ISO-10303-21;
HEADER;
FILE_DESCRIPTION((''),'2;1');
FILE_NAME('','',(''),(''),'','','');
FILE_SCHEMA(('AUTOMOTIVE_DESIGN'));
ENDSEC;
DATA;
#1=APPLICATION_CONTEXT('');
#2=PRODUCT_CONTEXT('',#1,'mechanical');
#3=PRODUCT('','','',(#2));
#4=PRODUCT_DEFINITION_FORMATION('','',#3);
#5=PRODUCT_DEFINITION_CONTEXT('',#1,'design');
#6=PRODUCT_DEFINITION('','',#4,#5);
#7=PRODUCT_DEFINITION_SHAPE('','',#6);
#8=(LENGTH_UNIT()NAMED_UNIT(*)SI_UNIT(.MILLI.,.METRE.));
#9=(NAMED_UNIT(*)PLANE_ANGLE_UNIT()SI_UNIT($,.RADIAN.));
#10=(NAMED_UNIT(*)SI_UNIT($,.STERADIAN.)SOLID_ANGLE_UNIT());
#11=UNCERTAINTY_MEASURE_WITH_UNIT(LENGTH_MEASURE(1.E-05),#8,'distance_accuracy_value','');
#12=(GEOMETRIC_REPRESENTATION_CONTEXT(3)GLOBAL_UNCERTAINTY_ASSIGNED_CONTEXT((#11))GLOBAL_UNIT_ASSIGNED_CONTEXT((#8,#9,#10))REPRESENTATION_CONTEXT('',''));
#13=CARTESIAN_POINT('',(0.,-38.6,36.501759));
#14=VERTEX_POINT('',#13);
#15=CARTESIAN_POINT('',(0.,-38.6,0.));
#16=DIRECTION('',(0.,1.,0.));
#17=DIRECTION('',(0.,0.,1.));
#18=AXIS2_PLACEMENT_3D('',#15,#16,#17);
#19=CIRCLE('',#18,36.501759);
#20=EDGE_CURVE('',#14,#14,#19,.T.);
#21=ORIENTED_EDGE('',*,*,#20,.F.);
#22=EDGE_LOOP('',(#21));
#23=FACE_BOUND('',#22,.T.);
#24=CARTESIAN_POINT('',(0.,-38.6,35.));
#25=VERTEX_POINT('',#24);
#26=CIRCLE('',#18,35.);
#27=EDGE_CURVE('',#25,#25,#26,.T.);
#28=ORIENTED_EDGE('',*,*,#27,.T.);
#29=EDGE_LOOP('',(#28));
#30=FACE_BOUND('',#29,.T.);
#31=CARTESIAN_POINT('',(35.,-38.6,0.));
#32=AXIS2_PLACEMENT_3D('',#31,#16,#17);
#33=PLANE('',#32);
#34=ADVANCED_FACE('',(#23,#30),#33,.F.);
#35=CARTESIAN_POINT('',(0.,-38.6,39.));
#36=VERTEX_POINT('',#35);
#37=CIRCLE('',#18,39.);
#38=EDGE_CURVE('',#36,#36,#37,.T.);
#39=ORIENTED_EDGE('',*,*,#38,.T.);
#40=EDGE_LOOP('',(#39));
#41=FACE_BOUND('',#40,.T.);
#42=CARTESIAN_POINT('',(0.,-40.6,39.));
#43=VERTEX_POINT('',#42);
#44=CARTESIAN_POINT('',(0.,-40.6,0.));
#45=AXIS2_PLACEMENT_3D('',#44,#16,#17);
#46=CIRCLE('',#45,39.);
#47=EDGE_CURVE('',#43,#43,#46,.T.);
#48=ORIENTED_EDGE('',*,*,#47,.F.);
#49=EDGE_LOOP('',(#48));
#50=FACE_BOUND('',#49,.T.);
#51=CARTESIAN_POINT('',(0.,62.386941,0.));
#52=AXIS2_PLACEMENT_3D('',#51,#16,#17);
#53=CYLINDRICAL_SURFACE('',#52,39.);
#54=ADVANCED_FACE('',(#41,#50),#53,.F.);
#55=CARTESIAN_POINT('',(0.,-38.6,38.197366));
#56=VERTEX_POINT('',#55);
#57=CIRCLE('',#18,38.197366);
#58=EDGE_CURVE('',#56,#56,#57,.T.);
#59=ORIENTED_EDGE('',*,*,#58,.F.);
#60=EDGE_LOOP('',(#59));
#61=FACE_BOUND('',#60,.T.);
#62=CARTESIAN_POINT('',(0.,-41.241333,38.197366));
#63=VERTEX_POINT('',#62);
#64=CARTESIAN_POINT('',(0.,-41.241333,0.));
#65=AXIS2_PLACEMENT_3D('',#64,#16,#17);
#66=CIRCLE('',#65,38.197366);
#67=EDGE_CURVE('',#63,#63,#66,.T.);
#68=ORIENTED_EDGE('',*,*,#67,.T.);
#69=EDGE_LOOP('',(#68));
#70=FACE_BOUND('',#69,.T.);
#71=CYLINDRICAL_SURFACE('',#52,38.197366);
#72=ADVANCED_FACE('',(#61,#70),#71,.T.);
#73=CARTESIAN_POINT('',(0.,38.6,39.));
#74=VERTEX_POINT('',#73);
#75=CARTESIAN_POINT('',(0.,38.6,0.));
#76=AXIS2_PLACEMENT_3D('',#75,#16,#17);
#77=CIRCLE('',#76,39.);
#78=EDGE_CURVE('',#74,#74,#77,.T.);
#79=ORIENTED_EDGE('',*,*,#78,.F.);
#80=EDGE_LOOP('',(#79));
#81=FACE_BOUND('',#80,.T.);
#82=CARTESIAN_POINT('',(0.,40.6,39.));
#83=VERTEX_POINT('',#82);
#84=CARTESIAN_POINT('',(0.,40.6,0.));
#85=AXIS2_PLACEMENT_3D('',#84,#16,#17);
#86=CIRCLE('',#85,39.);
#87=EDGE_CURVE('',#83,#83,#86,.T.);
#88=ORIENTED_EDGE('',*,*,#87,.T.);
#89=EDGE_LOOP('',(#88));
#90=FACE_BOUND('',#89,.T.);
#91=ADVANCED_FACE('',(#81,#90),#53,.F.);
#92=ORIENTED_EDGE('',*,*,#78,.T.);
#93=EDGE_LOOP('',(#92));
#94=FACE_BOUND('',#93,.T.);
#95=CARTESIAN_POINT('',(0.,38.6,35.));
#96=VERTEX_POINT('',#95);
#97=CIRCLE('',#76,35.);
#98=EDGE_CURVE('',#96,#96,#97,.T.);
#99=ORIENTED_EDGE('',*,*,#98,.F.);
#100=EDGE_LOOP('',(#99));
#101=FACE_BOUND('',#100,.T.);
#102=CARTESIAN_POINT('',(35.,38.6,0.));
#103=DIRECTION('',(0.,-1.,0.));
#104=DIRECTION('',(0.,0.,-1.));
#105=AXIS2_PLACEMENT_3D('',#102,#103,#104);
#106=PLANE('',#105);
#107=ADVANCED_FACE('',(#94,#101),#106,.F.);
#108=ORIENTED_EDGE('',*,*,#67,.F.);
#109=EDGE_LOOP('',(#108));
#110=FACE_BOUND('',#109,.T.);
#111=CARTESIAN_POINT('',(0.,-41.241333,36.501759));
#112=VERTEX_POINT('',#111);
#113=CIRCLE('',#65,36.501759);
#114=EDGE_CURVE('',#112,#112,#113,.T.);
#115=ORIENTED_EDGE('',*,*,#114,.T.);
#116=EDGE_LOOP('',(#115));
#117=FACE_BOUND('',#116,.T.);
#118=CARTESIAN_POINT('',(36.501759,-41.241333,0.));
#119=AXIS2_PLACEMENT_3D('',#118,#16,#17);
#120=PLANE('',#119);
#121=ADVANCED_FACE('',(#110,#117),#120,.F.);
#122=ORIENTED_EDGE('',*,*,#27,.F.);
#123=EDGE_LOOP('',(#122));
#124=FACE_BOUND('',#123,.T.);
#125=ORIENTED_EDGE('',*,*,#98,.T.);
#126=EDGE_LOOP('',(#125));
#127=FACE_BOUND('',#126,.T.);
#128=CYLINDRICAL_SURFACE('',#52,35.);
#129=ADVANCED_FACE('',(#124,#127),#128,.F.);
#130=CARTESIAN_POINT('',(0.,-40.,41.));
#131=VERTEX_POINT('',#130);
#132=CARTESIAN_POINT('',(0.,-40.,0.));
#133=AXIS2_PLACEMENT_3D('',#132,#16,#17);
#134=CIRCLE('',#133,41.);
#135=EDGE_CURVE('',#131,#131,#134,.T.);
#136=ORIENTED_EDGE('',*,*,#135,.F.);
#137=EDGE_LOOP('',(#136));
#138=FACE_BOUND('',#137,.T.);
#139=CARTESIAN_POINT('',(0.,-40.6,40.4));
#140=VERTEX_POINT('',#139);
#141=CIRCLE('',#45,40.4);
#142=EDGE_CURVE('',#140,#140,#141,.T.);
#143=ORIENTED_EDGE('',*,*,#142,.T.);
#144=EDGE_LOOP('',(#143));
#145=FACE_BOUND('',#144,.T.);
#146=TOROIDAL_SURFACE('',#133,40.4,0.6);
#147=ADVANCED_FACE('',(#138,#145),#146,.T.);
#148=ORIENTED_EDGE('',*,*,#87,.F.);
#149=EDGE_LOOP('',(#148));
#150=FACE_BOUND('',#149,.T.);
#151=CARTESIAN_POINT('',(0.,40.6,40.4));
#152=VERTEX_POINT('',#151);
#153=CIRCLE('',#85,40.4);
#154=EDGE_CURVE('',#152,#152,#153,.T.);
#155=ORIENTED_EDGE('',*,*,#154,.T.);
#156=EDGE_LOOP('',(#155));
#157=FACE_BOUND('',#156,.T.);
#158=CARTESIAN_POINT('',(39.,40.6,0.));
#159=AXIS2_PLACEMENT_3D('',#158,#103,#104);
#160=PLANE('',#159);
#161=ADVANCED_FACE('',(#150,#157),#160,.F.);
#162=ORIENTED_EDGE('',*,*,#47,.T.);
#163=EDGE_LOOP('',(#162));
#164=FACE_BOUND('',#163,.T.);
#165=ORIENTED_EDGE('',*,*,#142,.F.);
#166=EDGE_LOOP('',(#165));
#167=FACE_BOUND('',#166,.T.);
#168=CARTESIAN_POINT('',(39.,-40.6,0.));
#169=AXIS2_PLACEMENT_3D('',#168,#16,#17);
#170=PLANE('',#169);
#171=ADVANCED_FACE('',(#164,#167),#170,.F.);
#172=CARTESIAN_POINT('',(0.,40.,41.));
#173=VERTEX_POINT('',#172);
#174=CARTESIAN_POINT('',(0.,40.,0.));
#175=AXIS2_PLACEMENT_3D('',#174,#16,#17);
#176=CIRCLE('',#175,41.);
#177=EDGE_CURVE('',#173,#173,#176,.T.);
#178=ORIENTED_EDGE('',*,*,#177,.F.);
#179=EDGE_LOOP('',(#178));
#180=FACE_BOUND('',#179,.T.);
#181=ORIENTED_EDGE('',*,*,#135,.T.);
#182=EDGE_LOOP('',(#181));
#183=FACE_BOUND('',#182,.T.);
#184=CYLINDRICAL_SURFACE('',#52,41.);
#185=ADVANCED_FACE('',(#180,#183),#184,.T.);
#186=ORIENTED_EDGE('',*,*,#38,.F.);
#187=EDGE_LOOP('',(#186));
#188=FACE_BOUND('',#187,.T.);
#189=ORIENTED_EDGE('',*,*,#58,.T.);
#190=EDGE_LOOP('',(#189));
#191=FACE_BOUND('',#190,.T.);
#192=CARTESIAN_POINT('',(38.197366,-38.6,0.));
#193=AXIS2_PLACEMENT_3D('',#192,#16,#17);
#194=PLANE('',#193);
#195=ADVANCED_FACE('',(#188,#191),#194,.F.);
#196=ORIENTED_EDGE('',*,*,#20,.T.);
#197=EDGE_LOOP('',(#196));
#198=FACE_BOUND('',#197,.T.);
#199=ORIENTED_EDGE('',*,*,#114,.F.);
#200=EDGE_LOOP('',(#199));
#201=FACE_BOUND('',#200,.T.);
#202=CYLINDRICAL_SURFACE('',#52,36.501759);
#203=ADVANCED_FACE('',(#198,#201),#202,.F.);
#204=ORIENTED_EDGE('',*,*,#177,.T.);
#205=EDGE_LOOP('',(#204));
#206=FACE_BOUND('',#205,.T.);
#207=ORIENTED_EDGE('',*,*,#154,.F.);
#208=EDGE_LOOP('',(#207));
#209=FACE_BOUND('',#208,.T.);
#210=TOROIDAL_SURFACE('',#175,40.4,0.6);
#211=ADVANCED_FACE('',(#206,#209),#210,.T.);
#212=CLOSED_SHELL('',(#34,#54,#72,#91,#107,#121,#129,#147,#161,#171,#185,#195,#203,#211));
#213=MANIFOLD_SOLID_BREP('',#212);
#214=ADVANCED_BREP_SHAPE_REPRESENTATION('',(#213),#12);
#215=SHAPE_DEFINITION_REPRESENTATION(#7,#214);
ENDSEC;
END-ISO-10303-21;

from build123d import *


with BuildPart() as part:
    # Sketch1 → Revolve1 (revolve)
    with BuildSketch(Plane.XY, mode=Mode.PRIVATE) as revolve1_sk:
        with BuildLine():
            Line((35, 38.6), (35, -38.6))
            Line((35, -38.6), (36.501758704, -38.6))
            Line((36.501758704, -38.6), (36.501758704, -41.241333322))
            Line((36.501758704, -41.241333322), (38.197365936, -41.241333322))
            Line((38.197365936, -41.241333322), (38.197365936, -38.6))
            Line((38.197365936, -38.6), (39, -38.6))
            Line((39, -38.6), (39, -40.6))
            Line((39, -40.6), (40.4, -40.6))
            ThreePointArc((40.4, -40.6), (40.824264069, -40.424264069), (41, -40))
            Line((41, -40), (41, 40))
            ThreePointArc((41, 40), (40.824264069, 40.424264069), (40.4, 40.6))
            Line((40.4, 40.6), (39, 40.6))
            Line((39, 40.6), (39, 38.6))
            Line((39, 38.6), (35, 38.6))
        make_face()
    revolve(revolve1_sk.sketch.rotate(Axis((0, 62.3869405, 0), (0, -1, 0)), 90), axis=Axis((0, 62.3869405, 0), (0, -1, 0)))


solid = part.part
